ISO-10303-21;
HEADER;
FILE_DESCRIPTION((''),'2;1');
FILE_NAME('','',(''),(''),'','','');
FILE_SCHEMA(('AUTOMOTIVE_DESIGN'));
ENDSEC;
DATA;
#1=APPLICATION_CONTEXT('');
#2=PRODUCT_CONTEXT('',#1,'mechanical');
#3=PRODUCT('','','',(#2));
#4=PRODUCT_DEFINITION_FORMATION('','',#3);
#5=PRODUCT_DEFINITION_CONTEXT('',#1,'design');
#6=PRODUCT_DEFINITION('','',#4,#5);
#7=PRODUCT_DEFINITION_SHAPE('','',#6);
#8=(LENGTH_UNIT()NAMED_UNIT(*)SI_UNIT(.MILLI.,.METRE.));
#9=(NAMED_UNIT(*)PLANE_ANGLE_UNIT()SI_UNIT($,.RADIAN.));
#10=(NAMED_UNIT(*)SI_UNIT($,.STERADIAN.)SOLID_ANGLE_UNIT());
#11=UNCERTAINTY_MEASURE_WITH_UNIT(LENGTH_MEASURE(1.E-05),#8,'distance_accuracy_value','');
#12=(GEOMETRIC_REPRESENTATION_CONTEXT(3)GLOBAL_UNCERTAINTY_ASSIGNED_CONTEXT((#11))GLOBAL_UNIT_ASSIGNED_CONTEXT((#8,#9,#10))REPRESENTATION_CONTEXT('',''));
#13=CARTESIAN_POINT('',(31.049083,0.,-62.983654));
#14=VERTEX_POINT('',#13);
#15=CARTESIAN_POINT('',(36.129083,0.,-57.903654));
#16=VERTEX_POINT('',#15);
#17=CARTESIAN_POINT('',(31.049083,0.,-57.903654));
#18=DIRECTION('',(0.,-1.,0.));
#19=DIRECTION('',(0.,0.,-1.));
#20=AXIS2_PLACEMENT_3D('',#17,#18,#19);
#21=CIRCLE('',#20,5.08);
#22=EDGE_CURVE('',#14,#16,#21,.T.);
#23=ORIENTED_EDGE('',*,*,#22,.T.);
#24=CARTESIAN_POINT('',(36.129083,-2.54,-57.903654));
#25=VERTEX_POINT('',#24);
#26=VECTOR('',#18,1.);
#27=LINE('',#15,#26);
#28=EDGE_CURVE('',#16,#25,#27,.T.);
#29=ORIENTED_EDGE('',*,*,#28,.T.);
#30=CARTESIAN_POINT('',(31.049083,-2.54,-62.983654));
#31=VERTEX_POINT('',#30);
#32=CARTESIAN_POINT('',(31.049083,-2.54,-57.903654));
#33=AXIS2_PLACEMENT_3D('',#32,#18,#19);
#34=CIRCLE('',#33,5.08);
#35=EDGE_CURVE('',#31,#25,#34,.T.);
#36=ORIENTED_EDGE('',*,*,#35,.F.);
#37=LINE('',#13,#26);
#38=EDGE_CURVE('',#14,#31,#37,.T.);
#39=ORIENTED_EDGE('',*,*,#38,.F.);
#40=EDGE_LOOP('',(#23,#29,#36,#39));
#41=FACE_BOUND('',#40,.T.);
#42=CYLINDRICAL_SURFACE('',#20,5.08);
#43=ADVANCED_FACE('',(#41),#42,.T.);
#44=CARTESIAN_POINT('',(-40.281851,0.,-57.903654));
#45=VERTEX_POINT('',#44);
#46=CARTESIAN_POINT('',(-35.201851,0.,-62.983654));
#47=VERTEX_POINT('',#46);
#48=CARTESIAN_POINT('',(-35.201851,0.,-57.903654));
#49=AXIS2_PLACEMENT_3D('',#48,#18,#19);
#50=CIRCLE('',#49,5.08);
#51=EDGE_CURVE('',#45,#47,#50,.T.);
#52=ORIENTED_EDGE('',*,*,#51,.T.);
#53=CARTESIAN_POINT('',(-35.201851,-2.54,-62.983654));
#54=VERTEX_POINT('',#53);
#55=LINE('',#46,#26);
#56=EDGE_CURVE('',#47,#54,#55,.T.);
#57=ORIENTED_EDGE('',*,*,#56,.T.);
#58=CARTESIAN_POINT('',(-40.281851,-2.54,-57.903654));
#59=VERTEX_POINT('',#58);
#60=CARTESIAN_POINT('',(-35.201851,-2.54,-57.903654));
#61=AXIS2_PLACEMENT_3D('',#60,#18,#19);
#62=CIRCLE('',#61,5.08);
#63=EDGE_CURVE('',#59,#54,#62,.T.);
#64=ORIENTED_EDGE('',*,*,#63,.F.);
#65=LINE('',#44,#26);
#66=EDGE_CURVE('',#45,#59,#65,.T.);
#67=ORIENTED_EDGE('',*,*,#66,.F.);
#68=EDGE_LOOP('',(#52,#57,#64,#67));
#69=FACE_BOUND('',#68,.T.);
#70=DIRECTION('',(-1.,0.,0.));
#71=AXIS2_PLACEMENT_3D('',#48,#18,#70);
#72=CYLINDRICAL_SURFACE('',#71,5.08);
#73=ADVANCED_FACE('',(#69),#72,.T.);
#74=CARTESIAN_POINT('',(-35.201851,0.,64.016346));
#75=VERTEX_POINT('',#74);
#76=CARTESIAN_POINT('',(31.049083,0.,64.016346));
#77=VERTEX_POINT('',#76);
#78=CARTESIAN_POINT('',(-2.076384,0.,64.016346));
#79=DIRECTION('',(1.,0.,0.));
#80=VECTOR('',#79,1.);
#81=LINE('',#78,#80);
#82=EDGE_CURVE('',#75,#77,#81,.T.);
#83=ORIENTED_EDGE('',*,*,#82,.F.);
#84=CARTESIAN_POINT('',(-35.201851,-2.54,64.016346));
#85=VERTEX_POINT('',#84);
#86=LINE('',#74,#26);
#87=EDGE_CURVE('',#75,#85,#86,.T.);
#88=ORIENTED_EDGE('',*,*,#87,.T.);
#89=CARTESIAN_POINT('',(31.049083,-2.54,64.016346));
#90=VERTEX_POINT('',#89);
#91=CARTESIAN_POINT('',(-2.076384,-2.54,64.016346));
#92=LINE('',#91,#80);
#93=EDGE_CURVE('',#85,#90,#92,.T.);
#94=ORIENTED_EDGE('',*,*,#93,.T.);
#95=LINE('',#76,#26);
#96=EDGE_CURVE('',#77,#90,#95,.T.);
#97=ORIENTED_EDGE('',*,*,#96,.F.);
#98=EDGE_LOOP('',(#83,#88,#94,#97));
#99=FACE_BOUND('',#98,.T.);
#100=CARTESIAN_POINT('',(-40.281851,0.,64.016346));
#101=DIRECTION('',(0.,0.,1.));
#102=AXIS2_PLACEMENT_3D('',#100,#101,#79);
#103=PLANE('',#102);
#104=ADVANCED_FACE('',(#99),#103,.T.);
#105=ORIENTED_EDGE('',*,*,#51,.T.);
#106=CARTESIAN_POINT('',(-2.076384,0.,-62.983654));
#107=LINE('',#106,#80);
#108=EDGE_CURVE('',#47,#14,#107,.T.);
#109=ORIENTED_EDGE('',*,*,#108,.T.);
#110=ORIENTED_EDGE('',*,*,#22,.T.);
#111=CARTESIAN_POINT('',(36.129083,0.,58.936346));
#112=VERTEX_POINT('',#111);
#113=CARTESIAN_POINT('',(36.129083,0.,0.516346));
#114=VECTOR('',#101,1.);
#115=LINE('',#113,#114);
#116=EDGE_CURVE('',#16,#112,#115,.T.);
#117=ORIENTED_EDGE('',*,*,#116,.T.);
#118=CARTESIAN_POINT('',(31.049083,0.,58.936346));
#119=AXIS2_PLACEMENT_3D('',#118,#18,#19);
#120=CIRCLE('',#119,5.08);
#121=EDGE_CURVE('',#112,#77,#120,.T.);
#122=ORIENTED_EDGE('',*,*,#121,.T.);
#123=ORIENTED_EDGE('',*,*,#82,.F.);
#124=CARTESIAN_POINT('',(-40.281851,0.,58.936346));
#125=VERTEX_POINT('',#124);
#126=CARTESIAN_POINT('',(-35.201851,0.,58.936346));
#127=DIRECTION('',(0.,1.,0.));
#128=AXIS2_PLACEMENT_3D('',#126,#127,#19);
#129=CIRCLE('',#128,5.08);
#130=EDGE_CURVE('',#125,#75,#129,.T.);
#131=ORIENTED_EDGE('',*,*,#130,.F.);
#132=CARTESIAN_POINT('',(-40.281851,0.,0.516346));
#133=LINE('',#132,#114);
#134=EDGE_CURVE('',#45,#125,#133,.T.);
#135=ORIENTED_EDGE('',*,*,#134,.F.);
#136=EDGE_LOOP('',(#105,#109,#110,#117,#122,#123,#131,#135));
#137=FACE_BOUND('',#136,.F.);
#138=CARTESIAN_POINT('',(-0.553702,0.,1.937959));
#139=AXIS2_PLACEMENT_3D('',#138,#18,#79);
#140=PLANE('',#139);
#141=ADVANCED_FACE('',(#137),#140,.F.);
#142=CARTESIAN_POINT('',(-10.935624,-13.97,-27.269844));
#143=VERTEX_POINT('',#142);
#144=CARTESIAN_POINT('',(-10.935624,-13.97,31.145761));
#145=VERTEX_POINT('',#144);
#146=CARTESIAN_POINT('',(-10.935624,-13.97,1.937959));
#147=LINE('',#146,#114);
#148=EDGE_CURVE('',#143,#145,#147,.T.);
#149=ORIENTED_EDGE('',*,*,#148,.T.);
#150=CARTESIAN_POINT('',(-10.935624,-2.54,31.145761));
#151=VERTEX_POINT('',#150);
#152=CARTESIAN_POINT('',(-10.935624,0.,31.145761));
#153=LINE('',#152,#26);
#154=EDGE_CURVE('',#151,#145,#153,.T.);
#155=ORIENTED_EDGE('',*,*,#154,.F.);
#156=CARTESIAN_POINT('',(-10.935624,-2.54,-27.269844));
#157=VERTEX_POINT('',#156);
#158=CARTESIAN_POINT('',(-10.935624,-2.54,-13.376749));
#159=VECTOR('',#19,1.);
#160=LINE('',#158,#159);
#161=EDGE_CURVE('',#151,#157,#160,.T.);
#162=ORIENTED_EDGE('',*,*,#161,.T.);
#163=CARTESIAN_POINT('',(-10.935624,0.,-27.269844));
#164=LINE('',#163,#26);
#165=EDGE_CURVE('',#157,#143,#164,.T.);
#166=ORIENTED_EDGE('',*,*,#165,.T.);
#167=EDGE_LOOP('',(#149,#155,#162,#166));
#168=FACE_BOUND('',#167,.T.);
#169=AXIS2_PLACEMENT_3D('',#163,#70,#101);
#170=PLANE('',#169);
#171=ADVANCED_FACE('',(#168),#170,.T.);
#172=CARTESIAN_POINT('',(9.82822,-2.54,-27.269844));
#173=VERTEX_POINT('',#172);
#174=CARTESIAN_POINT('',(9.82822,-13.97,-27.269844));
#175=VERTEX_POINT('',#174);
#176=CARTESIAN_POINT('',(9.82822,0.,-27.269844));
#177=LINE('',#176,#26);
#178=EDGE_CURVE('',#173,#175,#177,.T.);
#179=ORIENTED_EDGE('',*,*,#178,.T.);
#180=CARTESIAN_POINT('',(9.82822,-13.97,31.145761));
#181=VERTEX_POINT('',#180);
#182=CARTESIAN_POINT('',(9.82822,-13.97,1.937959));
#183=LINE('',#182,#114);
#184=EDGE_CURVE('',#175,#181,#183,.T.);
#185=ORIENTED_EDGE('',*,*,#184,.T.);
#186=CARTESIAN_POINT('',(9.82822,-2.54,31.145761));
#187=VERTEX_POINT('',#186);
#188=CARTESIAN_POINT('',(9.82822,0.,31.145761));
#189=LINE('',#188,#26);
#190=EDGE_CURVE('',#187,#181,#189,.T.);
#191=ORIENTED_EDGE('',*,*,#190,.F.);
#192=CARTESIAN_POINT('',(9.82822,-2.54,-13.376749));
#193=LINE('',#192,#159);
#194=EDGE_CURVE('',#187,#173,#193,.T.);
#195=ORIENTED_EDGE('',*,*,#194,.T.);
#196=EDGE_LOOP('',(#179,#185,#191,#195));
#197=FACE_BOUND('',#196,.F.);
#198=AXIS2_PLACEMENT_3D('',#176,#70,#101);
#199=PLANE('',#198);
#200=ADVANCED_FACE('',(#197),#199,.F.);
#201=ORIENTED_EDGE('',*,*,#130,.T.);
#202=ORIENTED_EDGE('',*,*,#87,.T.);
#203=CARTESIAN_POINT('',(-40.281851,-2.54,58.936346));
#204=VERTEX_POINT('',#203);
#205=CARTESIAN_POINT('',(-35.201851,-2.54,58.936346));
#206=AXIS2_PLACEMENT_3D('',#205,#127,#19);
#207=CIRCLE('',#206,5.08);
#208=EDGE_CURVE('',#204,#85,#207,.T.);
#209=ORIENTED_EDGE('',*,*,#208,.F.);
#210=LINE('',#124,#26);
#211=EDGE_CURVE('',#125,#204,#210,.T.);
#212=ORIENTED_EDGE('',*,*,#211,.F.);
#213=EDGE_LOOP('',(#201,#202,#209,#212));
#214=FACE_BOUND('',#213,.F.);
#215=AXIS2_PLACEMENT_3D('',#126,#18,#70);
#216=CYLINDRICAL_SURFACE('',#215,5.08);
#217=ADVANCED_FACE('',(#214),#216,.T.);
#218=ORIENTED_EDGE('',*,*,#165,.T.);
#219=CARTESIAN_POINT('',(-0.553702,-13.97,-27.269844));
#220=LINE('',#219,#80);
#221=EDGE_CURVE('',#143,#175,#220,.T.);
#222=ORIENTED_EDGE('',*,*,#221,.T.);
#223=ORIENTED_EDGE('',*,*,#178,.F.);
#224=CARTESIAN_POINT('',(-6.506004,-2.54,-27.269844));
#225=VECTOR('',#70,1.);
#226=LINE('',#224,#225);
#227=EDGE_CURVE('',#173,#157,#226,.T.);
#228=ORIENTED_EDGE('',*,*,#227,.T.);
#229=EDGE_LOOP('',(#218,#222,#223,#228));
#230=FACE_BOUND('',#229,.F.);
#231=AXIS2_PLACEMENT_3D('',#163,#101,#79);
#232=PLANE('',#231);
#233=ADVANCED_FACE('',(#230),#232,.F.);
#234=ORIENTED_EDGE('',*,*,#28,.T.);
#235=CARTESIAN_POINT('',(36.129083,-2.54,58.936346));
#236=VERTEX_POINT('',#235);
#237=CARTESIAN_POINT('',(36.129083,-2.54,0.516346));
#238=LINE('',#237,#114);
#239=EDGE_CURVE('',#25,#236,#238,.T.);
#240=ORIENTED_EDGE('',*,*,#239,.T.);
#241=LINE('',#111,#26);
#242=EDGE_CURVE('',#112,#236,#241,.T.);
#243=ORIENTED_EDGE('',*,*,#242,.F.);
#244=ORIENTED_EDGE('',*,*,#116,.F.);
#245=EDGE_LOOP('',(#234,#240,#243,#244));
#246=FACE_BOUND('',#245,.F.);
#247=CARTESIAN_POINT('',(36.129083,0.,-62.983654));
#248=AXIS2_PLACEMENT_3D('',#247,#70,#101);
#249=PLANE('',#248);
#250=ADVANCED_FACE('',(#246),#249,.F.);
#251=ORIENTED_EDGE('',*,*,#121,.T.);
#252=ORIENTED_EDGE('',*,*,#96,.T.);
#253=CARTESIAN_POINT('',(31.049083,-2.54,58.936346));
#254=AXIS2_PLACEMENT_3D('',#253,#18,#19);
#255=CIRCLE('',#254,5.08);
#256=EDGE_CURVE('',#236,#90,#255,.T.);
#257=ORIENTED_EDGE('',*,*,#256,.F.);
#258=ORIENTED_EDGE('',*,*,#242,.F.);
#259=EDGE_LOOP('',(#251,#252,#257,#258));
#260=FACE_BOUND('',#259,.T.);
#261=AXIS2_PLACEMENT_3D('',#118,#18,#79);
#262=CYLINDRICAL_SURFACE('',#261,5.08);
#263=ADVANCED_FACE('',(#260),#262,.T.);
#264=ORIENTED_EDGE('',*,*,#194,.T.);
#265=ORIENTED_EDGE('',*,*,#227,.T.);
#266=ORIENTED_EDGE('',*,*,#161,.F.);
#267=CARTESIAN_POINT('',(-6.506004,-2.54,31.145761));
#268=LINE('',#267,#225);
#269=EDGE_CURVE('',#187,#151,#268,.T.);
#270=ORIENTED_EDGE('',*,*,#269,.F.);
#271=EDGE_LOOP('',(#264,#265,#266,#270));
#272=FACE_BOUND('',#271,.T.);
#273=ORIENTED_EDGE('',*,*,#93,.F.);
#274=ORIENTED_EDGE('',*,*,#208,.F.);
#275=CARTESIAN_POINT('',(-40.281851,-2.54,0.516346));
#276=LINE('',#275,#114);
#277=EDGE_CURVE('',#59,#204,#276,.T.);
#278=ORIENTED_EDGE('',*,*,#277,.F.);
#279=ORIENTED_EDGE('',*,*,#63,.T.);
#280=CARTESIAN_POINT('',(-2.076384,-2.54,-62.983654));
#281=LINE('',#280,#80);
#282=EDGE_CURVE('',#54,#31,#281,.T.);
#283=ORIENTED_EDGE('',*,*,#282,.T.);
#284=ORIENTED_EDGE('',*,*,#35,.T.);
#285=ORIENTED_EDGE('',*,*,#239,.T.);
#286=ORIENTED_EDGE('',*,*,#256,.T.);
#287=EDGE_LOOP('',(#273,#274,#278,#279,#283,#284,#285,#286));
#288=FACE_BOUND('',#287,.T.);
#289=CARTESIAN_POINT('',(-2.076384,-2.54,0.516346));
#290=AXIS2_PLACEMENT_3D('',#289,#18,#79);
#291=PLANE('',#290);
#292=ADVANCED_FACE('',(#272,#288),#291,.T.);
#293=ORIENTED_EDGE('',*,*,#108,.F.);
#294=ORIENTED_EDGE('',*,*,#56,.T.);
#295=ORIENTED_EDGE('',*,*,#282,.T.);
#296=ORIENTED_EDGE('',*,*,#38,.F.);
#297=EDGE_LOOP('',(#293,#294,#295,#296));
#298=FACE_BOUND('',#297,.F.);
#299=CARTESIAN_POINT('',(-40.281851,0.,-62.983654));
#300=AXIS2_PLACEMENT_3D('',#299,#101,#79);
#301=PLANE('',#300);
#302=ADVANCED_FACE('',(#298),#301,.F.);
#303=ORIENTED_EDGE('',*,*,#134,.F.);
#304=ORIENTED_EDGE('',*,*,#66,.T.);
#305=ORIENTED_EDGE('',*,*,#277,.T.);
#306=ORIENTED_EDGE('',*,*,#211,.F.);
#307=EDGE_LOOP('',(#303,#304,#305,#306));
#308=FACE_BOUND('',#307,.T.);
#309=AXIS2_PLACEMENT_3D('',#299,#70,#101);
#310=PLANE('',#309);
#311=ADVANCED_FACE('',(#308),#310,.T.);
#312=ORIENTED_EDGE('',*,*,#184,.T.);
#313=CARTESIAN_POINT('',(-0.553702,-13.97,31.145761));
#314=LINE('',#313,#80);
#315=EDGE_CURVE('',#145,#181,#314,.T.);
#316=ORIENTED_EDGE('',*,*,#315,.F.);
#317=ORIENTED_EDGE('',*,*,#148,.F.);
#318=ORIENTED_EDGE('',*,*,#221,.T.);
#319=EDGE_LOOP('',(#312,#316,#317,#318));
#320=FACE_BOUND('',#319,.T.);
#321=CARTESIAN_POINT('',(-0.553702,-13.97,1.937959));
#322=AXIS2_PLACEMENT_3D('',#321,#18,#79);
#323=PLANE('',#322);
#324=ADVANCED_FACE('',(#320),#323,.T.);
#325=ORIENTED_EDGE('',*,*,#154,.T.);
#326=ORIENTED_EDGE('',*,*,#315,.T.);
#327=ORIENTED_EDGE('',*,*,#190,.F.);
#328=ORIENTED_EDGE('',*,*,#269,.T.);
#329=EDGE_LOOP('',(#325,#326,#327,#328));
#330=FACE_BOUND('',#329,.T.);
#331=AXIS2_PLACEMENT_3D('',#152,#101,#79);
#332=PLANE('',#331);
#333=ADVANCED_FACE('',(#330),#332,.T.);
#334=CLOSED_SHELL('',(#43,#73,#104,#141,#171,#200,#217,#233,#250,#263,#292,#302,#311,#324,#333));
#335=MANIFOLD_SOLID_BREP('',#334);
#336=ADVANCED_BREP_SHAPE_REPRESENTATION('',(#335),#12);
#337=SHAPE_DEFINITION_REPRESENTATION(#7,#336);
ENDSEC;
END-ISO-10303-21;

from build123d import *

# Parameters (mm, degrees)
F0_W     = 76.410934
F0_H     = 127
F1_DEPTH = 2.54
F2_R     = 5.08
F3_W     = 20.763844
F3_H     = 58.415605
F4_DEPTH = 13.97


with BuildPart() as f1:
    # F0 (on Front) → F1 (new body)
    with BuildSketch(Plane.XZ):
        with Locations((-2.076384, 0.516346)):
            Rectangle(F0_W, F0_H)
    extrude(amount=F1_DEPTH)

    # F2
    f2_edges = [f1.edges().sort_by_distance(p)[0] for p in [
        (-40.281851, -1.27, 64.016346),
        (36.129083, -1.27, 64.016346),
        (36.129083, -1.27, -62.983654),
        (-40.281851, -1.27, -62.983654),
    ]]
    fillet(f2_edges, radius=F2_R)

    # F3 (on Front) → F4 (join)
    with BuildSketch(Plane.XZ):
        with Locations((-0.553702, 1.937959)):
            Rectangle(F3_W, F3_H)
    extrude(amount=F4_DEPTH)


solid = f1.part
